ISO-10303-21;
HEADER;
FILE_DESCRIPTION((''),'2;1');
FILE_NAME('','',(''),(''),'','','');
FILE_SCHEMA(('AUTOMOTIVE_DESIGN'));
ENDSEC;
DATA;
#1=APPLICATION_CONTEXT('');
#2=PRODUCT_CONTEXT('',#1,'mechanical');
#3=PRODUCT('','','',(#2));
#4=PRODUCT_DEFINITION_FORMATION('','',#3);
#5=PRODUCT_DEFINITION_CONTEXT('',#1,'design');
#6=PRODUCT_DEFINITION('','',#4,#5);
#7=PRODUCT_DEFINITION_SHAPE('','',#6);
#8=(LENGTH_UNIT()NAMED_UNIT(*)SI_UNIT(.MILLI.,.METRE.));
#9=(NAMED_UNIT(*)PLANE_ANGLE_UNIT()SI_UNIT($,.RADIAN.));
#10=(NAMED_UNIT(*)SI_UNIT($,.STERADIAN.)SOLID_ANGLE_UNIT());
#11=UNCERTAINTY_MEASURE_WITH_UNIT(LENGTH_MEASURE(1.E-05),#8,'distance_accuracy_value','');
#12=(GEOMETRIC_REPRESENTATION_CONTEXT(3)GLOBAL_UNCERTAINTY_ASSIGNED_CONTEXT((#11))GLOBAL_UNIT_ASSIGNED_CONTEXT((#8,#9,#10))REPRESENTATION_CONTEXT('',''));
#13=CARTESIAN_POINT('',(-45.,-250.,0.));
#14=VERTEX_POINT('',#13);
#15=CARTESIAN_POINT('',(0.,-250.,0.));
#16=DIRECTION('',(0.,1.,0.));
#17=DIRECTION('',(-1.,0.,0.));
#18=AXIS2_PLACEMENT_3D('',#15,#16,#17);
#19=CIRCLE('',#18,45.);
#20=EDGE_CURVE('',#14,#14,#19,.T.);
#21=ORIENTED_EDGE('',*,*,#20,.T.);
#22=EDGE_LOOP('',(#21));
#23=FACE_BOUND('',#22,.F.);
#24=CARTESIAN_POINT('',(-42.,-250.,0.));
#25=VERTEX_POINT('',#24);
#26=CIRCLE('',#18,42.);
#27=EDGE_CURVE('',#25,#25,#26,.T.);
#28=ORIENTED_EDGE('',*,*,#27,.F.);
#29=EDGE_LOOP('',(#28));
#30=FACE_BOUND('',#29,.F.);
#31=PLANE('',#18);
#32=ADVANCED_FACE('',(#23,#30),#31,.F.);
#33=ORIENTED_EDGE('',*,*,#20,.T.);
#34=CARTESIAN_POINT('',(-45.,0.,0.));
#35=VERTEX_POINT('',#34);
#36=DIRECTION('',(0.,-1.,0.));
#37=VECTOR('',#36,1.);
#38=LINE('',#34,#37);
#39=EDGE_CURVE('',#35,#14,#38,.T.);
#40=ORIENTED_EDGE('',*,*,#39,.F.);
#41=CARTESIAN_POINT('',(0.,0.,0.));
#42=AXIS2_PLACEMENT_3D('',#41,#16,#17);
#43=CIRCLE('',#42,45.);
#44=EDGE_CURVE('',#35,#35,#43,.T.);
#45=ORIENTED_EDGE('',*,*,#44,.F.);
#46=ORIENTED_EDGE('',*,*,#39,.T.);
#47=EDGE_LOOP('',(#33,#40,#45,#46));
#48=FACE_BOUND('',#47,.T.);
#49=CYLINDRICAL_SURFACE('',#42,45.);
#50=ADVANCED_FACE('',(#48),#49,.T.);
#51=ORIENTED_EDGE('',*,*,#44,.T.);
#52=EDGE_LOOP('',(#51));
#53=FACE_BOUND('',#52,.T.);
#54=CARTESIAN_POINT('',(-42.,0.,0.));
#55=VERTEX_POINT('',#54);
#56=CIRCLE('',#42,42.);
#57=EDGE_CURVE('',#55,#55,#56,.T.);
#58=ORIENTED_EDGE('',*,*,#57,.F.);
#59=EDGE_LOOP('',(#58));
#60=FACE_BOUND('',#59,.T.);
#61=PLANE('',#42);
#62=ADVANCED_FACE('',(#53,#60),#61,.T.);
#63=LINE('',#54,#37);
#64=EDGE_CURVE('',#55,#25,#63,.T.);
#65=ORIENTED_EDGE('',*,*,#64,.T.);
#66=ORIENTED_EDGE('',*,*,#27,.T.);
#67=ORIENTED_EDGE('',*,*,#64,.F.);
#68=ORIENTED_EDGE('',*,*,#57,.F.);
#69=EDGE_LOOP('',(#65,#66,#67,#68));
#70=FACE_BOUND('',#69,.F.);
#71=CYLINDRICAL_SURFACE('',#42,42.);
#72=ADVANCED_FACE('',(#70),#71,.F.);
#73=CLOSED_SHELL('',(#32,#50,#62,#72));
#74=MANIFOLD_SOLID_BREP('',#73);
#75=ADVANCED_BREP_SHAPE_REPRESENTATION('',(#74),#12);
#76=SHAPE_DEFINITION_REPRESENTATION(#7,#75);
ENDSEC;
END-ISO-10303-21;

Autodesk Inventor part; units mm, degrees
ref_plane "YZ Plane" through (0, 0, 0) normal (1, 0, 0) x (0, 1, 0)
ref_plane "XZ Plane" through (0, 0, 0) normal (0, 1, 0) x (-1, 0, 0)
ref_plane "XY Plane" through (0, 0, 0) normal (0, 0, 1) x (1, 0, 0)
sketch "Sketch1" plane through (0, 0, 0) normal (0, 1, 0) x (-1, 0, 0)
  circle A0 centre (0, 0) radius 45
  circle A1 centre (0, 0) radius 42
  dimension "d0" = 90
  dimension "d1" = 3
extrude "Extrusion1" add sketch "Sketch1" against normal blind 250
properties part number "PRS 1613 FDS tube 3_940"
